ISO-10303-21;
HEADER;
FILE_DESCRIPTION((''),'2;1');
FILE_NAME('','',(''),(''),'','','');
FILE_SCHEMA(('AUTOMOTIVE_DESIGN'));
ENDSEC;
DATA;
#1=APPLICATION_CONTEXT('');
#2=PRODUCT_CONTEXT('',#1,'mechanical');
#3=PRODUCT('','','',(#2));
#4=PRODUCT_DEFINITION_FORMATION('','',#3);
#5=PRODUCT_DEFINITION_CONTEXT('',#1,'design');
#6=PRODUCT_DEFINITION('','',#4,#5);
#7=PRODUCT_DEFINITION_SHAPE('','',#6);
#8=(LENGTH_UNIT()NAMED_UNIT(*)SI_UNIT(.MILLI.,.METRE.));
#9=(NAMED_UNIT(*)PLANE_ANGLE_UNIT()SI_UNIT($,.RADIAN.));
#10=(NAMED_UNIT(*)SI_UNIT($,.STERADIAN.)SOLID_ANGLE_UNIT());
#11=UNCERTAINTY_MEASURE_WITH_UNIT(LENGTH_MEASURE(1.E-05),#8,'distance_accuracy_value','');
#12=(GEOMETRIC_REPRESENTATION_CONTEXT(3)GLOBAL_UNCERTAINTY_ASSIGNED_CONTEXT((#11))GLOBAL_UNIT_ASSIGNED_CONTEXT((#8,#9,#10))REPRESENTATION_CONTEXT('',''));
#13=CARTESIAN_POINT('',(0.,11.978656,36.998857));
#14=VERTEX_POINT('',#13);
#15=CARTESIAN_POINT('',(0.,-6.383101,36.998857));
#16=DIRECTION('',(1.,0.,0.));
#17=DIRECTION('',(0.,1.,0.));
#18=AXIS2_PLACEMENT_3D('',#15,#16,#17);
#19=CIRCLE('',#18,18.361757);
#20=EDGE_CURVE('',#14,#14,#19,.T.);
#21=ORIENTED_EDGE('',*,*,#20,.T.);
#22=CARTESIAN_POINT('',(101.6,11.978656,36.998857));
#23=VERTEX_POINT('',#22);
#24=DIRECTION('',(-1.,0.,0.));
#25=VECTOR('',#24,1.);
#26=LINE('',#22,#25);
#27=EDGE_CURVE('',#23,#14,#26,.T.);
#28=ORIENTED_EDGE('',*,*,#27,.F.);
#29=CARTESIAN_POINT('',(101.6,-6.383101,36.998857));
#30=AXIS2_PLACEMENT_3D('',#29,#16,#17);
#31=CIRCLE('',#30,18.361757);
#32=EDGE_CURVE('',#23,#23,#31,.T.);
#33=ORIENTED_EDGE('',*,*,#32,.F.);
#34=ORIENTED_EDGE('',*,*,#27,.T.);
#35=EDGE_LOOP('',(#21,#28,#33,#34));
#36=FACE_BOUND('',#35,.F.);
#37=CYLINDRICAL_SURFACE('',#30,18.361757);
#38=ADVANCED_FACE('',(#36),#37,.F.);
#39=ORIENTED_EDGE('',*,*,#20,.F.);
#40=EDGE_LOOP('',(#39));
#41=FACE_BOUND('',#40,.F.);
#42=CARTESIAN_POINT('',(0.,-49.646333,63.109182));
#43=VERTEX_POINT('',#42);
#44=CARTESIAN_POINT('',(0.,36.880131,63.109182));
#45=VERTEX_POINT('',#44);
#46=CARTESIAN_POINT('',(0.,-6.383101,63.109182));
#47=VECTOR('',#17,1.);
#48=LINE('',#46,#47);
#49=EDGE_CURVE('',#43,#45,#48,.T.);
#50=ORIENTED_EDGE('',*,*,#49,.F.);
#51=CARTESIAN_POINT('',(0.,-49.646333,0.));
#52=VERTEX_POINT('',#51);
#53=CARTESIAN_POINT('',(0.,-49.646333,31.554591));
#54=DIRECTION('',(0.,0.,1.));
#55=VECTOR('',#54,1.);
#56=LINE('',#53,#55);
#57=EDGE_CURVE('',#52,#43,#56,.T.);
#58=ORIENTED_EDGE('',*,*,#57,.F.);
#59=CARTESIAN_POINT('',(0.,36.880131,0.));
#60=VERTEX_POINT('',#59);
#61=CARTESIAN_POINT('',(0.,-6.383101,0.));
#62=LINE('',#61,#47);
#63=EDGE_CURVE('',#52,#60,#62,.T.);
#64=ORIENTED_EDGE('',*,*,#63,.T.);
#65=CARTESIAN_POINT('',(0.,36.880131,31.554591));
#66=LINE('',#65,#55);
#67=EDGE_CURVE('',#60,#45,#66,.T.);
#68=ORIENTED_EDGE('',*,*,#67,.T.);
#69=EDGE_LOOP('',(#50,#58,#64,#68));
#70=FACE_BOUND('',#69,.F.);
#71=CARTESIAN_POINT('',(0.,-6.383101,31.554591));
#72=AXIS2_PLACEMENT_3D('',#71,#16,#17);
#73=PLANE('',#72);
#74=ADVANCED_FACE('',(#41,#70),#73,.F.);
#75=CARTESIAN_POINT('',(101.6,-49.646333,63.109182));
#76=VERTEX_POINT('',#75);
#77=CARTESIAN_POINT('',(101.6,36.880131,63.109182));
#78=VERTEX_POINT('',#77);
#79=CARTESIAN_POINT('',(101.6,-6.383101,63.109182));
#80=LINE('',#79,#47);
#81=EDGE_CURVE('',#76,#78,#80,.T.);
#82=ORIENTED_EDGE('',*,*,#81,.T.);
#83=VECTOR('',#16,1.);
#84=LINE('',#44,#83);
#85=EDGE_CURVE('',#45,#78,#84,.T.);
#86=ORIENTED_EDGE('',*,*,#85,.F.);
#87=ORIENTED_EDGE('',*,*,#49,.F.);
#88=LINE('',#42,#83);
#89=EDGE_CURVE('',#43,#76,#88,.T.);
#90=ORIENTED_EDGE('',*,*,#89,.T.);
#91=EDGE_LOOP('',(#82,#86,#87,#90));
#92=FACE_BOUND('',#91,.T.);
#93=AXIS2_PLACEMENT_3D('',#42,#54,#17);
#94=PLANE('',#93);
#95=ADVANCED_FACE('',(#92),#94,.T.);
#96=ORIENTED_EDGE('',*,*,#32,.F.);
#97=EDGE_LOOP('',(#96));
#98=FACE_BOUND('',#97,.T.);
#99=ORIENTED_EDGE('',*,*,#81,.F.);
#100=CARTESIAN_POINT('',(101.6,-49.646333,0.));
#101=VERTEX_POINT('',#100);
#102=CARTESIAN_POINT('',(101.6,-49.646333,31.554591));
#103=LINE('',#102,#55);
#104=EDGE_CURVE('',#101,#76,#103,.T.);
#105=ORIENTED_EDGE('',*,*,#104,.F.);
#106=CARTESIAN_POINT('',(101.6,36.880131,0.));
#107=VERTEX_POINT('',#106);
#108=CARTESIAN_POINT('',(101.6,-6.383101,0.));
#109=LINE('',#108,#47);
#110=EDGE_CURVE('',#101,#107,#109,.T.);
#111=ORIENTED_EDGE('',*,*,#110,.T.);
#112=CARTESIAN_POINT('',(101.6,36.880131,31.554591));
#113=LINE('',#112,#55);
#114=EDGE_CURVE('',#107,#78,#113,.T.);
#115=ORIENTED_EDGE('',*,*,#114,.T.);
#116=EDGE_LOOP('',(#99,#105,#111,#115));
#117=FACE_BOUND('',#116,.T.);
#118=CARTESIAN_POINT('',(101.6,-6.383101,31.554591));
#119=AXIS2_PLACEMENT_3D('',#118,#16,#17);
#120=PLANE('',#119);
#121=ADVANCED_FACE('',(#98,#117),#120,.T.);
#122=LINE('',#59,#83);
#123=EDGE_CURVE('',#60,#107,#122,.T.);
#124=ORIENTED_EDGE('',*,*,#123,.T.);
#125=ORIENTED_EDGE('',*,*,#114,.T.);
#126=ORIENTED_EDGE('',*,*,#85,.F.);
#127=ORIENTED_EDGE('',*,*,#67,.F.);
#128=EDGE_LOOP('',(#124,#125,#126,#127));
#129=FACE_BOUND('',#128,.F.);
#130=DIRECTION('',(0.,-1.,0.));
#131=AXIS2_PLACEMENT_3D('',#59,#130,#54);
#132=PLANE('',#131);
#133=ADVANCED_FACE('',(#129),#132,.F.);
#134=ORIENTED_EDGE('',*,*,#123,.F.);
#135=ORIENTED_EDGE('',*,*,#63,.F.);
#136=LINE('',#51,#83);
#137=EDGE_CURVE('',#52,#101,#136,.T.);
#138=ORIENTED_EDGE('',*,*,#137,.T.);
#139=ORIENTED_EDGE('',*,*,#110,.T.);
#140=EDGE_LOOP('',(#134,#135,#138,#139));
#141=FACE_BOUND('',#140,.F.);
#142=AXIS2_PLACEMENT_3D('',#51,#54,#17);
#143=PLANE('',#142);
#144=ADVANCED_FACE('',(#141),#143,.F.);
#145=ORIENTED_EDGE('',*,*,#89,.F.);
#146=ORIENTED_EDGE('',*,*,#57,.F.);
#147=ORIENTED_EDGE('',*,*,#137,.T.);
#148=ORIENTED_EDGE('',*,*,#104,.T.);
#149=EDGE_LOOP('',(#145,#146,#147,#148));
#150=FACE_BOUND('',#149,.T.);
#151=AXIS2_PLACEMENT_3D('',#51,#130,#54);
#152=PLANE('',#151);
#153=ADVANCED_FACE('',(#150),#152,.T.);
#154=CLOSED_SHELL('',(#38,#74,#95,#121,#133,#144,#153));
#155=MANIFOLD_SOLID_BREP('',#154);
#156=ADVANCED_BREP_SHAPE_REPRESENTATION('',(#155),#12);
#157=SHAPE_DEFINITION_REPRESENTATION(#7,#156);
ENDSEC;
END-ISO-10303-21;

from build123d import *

# Parameters (mm, degrees)
F0_W     = 86.526465
F0_H     = 63.109182
F1_DEPTH = 101.6
F2_R     = 18.361757
F3_DEPTH = 101.601


with BuildPart() as f1:
    # F0 (on Right) → F1 (new body)
    with BuildSketch(Plane.YZ):
        with Locations((-6.383101, 31.554591)):
            Rectangle(F0_W, F0_H)
    extrude(amount=F1_DEPTH)

    # F2 (on face) → F3 (cut, through all)
    with BuildSketch(Plane.YZ.offset(101.6)):
        with Locations((-6.383101, 36.998857)):
            Circle(F2_R)
    extrude(amount=-F3_DEPTH, mode=Mode.SUBTRACT)


solid = f1.part
